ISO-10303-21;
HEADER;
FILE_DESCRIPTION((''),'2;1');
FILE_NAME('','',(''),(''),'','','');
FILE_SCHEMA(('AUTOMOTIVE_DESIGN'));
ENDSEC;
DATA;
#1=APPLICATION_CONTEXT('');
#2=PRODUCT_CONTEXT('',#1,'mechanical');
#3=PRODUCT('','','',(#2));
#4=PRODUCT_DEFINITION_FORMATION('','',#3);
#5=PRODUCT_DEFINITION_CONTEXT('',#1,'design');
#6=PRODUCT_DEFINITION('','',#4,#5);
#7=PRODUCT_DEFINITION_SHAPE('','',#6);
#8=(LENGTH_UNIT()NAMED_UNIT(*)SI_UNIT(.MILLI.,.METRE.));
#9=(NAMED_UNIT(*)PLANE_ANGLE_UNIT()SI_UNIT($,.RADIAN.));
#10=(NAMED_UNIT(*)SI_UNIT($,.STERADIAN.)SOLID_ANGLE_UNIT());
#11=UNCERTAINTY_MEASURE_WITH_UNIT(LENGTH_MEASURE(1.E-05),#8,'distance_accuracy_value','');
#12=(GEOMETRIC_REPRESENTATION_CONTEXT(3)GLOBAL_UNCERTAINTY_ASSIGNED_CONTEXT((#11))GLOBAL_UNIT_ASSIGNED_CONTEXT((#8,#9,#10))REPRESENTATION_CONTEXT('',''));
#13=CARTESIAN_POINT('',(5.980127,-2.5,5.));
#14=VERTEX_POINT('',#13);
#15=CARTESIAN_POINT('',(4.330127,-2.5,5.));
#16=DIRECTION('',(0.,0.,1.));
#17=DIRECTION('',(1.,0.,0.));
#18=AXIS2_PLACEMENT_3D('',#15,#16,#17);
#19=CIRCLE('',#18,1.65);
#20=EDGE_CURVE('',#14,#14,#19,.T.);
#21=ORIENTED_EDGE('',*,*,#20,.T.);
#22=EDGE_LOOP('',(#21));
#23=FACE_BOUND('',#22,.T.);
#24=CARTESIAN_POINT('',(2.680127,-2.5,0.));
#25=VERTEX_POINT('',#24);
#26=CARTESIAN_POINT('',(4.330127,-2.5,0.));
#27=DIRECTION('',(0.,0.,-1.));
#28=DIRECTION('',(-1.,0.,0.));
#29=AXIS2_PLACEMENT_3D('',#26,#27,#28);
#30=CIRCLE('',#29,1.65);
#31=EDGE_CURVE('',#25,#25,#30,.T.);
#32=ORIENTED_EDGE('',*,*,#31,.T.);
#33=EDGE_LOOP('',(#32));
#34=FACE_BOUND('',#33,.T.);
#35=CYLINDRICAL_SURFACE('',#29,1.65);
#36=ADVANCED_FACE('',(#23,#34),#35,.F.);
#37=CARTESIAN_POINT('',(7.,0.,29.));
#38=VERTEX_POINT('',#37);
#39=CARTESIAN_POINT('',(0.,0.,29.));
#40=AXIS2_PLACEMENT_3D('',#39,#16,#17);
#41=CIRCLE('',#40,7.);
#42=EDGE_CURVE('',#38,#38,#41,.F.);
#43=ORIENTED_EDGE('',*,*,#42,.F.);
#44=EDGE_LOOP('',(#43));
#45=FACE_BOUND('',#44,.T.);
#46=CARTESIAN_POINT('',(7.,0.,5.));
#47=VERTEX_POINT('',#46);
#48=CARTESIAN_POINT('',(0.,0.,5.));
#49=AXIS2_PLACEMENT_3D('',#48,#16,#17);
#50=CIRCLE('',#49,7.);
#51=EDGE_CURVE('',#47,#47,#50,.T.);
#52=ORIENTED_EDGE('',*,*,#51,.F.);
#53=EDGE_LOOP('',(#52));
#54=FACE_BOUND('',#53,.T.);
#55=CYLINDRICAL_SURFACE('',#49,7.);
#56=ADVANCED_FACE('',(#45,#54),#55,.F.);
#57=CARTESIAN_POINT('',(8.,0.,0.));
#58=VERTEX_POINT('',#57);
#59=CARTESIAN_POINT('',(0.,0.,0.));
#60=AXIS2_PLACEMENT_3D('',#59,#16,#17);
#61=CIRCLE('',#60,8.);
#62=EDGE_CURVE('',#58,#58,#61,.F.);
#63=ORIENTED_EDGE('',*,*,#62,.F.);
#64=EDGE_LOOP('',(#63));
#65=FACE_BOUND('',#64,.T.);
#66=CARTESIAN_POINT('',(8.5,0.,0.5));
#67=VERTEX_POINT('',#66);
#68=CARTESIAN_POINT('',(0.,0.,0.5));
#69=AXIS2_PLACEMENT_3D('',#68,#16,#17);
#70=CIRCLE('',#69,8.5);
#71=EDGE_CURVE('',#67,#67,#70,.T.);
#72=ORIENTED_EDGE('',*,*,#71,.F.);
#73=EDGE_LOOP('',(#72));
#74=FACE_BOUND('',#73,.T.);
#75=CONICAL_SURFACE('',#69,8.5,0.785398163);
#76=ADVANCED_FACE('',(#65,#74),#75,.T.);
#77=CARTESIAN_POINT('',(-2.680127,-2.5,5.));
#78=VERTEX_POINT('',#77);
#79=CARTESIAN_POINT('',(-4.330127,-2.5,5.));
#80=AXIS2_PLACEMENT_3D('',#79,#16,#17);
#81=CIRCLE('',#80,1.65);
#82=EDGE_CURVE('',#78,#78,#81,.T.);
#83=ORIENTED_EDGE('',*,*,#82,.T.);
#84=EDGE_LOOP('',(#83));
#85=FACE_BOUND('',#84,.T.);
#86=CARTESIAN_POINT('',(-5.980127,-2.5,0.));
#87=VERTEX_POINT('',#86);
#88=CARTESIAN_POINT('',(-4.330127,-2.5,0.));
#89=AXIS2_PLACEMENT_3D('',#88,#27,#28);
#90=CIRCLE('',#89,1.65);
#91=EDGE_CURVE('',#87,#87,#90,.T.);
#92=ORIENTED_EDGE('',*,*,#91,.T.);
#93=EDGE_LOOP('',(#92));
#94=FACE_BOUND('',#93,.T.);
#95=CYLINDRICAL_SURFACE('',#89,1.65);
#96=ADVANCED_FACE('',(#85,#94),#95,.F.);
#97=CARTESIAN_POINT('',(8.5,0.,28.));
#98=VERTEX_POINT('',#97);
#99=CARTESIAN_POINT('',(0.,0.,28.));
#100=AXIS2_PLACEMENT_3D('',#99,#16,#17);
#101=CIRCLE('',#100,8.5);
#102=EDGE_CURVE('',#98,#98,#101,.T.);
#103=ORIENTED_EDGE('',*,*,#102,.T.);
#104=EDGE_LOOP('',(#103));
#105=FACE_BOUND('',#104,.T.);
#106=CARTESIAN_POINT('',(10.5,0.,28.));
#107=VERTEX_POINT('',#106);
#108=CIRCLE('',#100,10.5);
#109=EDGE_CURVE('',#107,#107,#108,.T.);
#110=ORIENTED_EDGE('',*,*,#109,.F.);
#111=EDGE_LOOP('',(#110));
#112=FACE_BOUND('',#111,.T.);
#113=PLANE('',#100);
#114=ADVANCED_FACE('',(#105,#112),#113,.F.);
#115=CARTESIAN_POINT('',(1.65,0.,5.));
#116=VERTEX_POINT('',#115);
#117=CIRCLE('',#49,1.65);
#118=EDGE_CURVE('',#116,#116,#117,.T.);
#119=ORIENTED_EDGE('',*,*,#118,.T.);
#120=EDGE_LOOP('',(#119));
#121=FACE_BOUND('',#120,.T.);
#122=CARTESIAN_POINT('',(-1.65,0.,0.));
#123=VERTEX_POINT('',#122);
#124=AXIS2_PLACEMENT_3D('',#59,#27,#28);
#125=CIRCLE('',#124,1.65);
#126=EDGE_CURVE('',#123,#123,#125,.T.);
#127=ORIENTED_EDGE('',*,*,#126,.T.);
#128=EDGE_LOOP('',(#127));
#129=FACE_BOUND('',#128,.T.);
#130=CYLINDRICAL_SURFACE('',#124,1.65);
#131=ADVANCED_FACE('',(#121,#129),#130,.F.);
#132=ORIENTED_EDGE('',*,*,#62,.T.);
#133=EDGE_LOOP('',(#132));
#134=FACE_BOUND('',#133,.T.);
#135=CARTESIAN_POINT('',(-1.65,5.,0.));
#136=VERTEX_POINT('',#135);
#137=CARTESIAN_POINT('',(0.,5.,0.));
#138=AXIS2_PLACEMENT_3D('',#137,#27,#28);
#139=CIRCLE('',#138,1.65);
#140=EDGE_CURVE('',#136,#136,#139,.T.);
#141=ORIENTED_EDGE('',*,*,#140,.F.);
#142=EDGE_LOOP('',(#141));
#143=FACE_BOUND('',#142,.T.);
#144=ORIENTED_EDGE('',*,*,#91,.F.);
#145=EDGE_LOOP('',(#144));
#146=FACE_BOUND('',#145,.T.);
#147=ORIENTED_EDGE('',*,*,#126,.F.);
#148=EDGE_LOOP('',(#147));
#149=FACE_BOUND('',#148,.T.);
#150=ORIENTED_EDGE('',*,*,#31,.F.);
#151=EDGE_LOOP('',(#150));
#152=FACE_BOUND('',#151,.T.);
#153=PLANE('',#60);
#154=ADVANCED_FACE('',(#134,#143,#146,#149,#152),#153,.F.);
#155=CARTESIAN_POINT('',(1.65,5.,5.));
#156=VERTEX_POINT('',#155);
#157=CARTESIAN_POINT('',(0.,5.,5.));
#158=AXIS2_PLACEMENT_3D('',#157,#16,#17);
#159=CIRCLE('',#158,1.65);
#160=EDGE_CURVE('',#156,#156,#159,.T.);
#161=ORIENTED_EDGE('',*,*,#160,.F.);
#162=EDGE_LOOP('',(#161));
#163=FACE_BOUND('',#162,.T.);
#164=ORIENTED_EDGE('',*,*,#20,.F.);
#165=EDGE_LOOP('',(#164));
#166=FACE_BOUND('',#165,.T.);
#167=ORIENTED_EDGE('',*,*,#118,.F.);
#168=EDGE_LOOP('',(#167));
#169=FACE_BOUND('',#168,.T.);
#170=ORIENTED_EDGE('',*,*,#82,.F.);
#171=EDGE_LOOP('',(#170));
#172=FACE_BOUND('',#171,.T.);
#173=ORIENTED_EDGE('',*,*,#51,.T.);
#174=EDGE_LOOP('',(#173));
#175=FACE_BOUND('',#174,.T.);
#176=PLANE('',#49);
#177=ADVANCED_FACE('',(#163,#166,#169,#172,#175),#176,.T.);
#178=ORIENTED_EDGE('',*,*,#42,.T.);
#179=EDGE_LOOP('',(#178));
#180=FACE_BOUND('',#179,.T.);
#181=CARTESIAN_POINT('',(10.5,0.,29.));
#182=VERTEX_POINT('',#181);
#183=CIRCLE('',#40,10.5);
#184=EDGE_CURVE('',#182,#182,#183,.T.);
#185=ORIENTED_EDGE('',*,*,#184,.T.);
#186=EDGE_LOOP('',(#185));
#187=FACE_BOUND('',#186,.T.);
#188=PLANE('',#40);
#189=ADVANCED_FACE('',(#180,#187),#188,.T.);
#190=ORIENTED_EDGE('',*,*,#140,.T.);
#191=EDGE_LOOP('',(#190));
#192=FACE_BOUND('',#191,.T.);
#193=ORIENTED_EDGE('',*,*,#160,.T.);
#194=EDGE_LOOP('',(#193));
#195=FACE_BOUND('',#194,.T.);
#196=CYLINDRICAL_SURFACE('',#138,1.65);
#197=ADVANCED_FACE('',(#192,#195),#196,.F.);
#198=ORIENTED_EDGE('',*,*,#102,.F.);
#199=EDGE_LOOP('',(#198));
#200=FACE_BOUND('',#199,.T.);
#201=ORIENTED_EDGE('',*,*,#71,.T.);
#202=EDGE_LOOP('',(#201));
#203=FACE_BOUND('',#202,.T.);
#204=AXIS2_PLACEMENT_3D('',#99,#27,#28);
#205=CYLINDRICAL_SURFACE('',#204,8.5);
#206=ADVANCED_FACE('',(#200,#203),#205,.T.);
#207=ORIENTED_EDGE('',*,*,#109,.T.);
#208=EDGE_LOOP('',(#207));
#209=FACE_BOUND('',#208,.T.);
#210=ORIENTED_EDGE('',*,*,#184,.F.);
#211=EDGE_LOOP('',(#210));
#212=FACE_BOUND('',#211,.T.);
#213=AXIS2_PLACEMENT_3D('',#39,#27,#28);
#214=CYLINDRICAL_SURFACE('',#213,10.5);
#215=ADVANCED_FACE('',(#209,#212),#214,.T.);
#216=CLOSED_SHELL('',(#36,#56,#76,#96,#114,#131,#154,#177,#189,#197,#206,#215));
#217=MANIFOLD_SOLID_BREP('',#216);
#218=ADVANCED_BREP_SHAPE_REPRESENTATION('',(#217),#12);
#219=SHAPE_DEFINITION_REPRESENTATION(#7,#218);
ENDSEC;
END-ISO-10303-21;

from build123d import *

# Parameters (mm, degrees)
SKETCH_1_R          = 8.5
EXTRUDE_1_DEPTH     = 28
SKETCH_2_R          = 7
CUT_EXTRUDE_3_DEPTH = 23
HOLE_WIZARD_M4_1_D  = 3.3
SKETCH_10_R         = 10.5
SKETCH_10_R_2       = 8.5
SKETCH_10_R_3       = 7
EXTRUDE_4_DEPTH     = 1
CHAMFER_1_SIZE      = 0.5


with BuildPart() as part:
    # 草图1 → 凸台-拉伸1 (new body)
    with BuildSketch(Plane.XY):
        Circle(SKETCH_1_R)
    extrude(amount=EXTRUDE_1_DEPTH)

    # 草图2 → 切除-拉伸3 (cut)
    with BuildSketch(Plane.XY.offset(28)):
        Circle(SKETCH_2_R)
    extrude(amount=-CUT_EXTRUDE_3_DEPTH, mode=Mode.SUBTRACT)

    # M4 螺纹孔1 (through all)
    with Locations(Plane(origin=(0, 0, 0), x_dir=(-1, 0, 0), z_dir=(0, 0, -1))):
        with Locations((0, 5), (0, 0), (-4.330127019, -2.5), (4.330127019, -2.5)):
            Hole(HOLE_WIZARD_M4_1_D / 2)

    # 草图10 → 凸台-拉伸4 (add)
    with BuildSketch(Plane.XY.offset(28)):
        Circle(SKETCH_10_R)
        Circle(SKETCH_10_R_2, mode=Mode.SUBTRACT)
        Circle(SKETCH_10_R_2)
        Circle(SKETCH_10_R_3, mode=Mode.SUBTRACT)
    extrude(amount=EXTRUDE_4_DEPTH)

    # 倒角1
    chamfer_1_edges = [part.edges().sort_by_distance(p)[0] for p in [
        (-8.5, 0, 0),
    ]]
    chamfer(chamfer_1_edges, length=CHAMFER_1_SIZE)


solid = part.part
